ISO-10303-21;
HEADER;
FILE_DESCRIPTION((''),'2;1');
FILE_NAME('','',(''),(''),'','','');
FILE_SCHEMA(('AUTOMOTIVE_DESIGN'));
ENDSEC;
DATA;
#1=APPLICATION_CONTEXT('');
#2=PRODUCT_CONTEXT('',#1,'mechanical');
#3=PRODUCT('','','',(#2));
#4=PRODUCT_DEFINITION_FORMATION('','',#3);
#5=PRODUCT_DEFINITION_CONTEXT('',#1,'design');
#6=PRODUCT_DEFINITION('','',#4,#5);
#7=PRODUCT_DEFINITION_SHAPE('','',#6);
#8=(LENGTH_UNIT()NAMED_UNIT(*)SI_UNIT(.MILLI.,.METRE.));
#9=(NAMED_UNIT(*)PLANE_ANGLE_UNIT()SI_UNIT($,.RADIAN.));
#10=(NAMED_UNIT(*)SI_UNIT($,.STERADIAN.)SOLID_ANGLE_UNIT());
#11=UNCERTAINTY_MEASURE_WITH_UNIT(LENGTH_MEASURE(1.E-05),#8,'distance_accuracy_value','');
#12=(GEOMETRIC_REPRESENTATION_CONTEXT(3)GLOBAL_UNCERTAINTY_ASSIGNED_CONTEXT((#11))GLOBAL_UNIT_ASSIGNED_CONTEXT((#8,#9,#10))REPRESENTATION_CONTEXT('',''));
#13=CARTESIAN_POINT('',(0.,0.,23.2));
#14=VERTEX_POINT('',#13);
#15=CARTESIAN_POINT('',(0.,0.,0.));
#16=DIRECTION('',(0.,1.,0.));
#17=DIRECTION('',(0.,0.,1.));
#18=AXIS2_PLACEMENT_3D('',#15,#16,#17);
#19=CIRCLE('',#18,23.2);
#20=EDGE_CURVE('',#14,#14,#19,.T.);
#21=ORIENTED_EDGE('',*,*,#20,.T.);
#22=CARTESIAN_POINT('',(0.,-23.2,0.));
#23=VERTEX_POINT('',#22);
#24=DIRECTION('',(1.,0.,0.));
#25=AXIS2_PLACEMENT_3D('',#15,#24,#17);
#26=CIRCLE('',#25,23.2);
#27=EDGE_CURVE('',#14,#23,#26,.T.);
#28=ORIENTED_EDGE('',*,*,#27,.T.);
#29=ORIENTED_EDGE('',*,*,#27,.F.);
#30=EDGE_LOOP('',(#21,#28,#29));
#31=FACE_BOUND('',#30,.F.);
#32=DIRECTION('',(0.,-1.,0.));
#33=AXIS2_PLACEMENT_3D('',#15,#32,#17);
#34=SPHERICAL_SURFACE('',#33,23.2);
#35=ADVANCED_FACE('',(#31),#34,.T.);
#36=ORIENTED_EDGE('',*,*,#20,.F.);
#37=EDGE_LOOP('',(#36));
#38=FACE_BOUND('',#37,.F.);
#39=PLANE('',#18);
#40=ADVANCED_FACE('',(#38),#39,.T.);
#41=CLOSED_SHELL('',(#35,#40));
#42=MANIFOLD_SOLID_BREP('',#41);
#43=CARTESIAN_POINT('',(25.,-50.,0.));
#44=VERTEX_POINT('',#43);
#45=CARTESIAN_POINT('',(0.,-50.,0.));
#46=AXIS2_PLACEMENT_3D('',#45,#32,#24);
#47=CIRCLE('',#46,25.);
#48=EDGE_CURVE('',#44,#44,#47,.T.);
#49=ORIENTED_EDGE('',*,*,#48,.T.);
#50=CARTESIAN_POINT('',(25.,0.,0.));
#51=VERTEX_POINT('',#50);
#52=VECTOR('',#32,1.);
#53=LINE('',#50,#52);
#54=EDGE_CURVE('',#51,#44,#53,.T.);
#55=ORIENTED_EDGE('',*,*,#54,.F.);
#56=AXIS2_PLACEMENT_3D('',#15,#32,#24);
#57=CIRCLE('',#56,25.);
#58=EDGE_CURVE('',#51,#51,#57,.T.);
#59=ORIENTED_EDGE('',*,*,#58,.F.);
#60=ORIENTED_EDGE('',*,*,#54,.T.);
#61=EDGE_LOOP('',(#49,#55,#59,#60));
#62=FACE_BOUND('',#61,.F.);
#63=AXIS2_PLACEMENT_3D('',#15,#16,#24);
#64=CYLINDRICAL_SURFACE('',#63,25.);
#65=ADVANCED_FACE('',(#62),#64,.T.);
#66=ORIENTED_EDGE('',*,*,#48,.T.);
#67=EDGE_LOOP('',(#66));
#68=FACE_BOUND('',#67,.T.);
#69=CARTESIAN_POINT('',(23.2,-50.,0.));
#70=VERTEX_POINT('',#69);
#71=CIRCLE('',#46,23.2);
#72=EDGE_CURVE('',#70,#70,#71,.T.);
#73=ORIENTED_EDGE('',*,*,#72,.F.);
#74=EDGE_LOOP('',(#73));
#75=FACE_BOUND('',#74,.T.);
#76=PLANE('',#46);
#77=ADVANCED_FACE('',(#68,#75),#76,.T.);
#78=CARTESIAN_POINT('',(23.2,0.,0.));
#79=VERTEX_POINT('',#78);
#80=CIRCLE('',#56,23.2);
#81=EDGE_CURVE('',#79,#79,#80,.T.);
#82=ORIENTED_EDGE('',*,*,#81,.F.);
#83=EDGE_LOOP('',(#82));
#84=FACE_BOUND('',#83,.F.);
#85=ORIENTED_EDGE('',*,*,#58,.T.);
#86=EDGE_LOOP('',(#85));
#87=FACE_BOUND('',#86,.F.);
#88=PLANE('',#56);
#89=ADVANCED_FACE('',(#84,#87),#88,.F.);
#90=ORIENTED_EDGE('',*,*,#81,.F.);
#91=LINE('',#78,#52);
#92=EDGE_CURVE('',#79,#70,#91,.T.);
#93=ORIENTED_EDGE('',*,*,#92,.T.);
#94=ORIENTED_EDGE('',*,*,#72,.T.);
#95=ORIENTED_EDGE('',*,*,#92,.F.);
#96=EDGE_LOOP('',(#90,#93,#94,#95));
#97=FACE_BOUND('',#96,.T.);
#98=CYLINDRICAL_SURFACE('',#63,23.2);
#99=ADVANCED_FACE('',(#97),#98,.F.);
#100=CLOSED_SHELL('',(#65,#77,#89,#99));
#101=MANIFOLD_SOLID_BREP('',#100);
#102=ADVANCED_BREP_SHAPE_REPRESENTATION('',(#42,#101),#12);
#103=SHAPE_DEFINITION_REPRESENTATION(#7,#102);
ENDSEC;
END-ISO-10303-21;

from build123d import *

# Parameters (mm, degrees)
F1_R     = 25
F1_R_2   = 23.2
F2_DEPTH = 50


with BuildPart() as f2:
    # F1 (on Front) → F2 (new body)
    with BuildSketch(Plane.XZ):
        Circle(F1_R)
        Circle(F1_R_2, mode=Mode.SUBTRACT)
    extrude(amount=F2_DEPTH)


with BuildPart() as f4:
    # F3 (on Right) → F4 (revolve)
    with BuildSketch(Plane.YZ):
        with BuildLine():
            Line((0, 0), (0, 23.2))
            ThreePointArc((0, 23.2), (-16.4048773235, 16.4048773235), (-23.2, 0))
            Line((-23.2, 0), (0, 0))
        make_face()
    revolve(axis=Axis((0, -11.6, 0), (0, 1, 0)))


solid = Compound([f2.part, f4.part])
